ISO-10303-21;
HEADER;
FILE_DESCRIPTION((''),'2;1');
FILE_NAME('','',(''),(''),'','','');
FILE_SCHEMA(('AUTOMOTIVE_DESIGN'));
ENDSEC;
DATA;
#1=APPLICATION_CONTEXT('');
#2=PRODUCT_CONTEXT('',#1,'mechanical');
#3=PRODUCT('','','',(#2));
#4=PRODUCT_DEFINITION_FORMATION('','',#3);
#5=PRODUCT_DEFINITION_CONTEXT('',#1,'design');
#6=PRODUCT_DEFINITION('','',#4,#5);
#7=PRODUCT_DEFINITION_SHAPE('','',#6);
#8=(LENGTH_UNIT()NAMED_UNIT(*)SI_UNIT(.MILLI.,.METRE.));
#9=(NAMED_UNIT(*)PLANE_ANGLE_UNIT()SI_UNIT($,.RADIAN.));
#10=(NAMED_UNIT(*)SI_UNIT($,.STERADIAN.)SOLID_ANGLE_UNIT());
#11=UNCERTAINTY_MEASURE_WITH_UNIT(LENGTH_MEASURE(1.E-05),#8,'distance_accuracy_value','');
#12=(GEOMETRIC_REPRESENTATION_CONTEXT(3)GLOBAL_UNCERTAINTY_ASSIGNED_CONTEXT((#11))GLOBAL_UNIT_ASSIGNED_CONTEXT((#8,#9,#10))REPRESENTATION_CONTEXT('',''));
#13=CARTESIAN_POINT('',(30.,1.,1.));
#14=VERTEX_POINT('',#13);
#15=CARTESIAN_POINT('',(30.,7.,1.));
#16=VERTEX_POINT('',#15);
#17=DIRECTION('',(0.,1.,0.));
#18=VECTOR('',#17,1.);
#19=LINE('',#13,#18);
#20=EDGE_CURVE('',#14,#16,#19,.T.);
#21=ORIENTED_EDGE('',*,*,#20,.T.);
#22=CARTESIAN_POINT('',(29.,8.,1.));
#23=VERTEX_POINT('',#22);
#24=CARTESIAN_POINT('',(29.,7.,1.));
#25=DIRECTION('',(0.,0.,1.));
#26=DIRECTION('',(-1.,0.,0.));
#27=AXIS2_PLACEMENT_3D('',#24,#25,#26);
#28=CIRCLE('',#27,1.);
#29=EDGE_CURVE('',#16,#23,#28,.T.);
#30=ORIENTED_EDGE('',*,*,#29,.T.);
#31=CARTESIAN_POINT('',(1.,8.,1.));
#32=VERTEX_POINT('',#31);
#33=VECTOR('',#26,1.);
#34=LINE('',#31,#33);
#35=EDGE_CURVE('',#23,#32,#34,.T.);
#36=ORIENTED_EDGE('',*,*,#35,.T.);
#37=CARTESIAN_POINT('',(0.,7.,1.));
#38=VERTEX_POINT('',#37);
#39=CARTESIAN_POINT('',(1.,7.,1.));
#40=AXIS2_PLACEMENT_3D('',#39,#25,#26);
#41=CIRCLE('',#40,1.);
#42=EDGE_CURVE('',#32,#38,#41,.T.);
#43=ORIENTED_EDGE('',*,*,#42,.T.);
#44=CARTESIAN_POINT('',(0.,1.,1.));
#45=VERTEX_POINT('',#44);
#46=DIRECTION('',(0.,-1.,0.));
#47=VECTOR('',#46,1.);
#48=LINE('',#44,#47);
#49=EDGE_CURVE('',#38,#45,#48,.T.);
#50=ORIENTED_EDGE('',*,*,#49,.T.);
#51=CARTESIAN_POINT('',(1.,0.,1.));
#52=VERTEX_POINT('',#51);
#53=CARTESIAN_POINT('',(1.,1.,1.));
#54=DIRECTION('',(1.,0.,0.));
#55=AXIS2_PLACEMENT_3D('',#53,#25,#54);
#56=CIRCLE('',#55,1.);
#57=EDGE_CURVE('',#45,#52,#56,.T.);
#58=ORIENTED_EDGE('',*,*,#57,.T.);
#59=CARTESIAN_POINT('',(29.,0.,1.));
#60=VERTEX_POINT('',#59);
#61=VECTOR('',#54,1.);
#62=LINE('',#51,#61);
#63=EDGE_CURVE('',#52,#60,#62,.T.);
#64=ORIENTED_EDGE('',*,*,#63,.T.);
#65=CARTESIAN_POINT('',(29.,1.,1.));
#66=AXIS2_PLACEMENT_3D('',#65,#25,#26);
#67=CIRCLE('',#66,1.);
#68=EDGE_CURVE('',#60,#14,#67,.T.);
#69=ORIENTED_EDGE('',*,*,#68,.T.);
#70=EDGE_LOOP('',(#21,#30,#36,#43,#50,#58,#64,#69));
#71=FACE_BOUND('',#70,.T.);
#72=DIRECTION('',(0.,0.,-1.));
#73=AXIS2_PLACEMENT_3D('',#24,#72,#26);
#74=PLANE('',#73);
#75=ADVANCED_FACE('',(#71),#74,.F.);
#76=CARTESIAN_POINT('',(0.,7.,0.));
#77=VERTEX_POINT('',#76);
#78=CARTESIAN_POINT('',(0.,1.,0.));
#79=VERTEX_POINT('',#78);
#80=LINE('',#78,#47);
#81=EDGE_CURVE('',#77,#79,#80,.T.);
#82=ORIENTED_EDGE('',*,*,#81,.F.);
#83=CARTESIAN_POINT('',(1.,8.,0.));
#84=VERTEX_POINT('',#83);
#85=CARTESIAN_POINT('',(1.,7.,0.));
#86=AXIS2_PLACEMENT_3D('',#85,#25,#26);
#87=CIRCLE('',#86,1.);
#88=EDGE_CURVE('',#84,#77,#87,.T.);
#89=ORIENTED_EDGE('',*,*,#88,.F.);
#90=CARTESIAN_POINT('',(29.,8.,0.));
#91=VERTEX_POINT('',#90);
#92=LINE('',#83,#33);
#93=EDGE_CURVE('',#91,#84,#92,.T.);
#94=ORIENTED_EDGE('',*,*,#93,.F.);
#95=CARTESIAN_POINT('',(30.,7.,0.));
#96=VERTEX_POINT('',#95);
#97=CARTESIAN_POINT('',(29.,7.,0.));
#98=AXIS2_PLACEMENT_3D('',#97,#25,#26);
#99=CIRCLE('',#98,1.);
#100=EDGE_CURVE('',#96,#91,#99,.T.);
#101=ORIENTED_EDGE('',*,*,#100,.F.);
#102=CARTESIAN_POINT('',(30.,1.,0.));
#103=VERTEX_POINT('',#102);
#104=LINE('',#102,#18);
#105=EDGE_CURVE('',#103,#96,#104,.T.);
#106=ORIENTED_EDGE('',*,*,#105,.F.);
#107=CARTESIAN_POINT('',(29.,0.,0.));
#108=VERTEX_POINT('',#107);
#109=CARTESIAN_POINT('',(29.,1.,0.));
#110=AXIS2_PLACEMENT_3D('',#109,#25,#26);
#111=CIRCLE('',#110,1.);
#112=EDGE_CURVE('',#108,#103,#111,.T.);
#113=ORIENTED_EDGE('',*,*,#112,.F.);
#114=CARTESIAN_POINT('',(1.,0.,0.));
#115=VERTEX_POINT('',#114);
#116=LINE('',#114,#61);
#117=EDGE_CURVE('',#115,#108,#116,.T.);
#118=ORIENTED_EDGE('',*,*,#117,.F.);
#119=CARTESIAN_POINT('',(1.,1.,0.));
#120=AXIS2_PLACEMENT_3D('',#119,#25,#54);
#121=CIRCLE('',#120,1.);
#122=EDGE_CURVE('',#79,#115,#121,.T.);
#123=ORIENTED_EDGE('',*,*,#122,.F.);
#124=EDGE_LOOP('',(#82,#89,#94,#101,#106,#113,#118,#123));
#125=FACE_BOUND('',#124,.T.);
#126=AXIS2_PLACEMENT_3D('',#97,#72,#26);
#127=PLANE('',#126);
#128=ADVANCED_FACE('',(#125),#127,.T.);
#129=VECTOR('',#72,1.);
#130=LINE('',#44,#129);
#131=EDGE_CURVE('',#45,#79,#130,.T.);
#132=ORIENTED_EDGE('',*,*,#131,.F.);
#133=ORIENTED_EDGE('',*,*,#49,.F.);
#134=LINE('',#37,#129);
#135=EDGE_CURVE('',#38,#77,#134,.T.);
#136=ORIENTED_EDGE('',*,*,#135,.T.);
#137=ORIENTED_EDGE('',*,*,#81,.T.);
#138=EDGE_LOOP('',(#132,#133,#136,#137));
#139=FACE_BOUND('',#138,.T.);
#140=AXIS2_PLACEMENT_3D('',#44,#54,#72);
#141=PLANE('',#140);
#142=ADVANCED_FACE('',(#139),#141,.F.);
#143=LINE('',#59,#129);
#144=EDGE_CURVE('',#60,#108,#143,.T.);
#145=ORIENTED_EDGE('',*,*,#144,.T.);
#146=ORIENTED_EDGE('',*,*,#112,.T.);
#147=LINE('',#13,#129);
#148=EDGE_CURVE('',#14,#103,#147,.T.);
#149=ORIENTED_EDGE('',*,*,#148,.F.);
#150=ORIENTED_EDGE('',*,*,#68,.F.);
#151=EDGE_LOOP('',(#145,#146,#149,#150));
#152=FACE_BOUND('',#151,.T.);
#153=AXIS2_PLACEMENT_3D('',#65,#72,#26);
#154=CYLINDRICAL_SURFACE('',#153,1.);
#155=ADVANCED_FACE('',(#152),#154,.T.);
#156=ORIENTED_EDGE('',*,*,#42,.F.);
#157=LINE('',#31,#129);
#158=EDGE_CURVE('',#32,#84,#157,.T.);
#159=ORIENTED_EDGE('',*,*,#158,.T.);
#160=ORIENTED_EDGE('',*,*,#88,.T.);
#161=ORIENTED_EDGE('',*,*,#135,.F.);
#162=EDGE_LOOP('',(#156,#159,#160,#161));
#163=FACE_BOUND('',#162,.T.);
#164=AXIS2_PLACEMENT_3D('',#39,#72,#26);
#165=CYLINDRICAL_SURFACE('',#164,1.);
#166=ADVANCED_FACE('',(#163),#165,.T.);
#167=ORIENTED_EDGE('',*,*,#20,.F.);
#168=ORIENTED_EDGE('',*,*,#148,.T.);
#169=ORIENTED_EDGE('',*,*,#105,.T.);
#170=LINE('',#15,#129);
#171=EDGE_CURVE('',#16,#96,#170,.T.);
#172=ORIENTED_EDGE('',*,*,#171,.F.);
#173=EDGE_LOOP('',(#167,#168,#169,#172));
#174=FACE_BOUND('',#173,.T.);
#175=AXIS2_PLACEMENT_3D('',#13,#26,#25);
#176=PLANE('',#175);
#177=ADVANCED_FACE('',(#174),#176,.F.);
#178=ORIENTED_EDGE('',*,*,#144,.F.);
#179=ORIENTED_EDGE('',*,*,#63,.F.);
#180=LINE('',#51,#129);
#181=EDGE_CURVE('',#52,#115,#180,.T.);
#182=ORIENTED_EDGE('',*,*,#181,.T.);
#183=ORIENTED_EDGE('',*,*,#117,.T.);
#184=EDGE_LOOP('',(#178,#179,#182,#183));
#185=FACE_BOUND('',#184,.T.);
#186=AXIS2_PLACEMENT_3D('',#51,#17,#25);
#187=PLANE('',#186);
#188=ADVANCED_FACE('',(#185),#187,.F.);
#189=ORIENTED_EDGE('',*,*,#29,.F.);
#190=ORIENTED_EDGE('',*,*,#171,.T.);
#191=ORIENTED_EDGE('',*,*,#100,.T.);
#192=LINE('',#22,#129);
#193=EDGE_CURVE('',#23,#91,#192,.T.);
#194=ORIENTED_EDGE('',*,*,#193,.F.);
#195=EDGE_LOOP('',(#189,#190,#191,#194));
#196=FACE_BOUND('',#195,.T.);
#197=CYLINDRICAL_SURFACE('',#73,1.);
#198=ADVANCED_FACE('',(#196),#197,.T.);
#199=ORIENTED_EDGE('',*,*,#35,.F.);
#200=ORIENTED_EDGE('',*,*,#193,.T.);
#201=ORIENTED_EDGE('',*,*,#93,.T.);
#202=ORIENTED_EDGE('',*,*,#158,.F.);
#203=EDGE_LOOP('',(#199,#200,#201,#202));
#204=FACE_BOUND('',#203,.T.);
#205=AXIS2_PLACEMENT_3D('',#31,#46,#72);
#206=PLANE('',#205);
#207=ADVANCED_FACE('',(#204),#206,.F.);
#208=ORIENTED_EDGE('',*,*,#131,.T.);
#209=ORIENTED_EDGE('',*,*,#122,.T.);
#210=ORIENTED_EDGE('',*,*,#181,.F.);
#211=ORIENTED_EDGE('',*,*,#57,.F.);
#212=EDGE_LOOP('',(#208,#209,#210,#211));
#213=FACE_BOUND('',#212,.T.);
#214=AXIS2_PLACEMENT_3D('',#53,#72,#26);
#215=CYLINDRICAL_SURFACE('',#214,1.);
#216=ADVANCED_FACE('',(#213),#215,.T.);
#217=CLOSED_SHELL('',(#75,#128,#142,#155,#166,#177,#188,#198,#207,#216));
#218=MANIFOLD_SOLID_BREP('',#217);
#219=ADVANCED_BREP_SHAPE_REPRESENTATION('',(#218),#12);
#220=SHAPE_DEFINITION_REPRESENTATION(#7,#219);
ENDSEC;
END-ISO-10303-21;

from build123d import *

# Parameters (mm, degrees)
EXTRUDE_1_DEPTH = 1


with BuildPart() as part:
    # 草图1 → 凸台-拉伸1 (new body)
    with BuildSketch(Plane.XY):
        with BuildLine():
            Line((1, 0), (29, 0))
            ThreePointArc((29, 0), (29.707106781, 0.292893219), (30, 1))
            Line((30, 1), (30, 7))
            ThreePointArc((30, 7), (29.707106781, 7.707106781), (29, 8))
            Line((29, 8), (1, 8))
            ThreePointArc((1, 8), (0.292893219, 7.707106781), (0, 7))
            Line((0, 7), (0, 1))
            ThreePointArc((0, 1), (0.292893219, 0.292893219), (1, 0))
        make_face()
    extrude(amount=EXTRUDE_1_DEPTH)


solid = part.part
